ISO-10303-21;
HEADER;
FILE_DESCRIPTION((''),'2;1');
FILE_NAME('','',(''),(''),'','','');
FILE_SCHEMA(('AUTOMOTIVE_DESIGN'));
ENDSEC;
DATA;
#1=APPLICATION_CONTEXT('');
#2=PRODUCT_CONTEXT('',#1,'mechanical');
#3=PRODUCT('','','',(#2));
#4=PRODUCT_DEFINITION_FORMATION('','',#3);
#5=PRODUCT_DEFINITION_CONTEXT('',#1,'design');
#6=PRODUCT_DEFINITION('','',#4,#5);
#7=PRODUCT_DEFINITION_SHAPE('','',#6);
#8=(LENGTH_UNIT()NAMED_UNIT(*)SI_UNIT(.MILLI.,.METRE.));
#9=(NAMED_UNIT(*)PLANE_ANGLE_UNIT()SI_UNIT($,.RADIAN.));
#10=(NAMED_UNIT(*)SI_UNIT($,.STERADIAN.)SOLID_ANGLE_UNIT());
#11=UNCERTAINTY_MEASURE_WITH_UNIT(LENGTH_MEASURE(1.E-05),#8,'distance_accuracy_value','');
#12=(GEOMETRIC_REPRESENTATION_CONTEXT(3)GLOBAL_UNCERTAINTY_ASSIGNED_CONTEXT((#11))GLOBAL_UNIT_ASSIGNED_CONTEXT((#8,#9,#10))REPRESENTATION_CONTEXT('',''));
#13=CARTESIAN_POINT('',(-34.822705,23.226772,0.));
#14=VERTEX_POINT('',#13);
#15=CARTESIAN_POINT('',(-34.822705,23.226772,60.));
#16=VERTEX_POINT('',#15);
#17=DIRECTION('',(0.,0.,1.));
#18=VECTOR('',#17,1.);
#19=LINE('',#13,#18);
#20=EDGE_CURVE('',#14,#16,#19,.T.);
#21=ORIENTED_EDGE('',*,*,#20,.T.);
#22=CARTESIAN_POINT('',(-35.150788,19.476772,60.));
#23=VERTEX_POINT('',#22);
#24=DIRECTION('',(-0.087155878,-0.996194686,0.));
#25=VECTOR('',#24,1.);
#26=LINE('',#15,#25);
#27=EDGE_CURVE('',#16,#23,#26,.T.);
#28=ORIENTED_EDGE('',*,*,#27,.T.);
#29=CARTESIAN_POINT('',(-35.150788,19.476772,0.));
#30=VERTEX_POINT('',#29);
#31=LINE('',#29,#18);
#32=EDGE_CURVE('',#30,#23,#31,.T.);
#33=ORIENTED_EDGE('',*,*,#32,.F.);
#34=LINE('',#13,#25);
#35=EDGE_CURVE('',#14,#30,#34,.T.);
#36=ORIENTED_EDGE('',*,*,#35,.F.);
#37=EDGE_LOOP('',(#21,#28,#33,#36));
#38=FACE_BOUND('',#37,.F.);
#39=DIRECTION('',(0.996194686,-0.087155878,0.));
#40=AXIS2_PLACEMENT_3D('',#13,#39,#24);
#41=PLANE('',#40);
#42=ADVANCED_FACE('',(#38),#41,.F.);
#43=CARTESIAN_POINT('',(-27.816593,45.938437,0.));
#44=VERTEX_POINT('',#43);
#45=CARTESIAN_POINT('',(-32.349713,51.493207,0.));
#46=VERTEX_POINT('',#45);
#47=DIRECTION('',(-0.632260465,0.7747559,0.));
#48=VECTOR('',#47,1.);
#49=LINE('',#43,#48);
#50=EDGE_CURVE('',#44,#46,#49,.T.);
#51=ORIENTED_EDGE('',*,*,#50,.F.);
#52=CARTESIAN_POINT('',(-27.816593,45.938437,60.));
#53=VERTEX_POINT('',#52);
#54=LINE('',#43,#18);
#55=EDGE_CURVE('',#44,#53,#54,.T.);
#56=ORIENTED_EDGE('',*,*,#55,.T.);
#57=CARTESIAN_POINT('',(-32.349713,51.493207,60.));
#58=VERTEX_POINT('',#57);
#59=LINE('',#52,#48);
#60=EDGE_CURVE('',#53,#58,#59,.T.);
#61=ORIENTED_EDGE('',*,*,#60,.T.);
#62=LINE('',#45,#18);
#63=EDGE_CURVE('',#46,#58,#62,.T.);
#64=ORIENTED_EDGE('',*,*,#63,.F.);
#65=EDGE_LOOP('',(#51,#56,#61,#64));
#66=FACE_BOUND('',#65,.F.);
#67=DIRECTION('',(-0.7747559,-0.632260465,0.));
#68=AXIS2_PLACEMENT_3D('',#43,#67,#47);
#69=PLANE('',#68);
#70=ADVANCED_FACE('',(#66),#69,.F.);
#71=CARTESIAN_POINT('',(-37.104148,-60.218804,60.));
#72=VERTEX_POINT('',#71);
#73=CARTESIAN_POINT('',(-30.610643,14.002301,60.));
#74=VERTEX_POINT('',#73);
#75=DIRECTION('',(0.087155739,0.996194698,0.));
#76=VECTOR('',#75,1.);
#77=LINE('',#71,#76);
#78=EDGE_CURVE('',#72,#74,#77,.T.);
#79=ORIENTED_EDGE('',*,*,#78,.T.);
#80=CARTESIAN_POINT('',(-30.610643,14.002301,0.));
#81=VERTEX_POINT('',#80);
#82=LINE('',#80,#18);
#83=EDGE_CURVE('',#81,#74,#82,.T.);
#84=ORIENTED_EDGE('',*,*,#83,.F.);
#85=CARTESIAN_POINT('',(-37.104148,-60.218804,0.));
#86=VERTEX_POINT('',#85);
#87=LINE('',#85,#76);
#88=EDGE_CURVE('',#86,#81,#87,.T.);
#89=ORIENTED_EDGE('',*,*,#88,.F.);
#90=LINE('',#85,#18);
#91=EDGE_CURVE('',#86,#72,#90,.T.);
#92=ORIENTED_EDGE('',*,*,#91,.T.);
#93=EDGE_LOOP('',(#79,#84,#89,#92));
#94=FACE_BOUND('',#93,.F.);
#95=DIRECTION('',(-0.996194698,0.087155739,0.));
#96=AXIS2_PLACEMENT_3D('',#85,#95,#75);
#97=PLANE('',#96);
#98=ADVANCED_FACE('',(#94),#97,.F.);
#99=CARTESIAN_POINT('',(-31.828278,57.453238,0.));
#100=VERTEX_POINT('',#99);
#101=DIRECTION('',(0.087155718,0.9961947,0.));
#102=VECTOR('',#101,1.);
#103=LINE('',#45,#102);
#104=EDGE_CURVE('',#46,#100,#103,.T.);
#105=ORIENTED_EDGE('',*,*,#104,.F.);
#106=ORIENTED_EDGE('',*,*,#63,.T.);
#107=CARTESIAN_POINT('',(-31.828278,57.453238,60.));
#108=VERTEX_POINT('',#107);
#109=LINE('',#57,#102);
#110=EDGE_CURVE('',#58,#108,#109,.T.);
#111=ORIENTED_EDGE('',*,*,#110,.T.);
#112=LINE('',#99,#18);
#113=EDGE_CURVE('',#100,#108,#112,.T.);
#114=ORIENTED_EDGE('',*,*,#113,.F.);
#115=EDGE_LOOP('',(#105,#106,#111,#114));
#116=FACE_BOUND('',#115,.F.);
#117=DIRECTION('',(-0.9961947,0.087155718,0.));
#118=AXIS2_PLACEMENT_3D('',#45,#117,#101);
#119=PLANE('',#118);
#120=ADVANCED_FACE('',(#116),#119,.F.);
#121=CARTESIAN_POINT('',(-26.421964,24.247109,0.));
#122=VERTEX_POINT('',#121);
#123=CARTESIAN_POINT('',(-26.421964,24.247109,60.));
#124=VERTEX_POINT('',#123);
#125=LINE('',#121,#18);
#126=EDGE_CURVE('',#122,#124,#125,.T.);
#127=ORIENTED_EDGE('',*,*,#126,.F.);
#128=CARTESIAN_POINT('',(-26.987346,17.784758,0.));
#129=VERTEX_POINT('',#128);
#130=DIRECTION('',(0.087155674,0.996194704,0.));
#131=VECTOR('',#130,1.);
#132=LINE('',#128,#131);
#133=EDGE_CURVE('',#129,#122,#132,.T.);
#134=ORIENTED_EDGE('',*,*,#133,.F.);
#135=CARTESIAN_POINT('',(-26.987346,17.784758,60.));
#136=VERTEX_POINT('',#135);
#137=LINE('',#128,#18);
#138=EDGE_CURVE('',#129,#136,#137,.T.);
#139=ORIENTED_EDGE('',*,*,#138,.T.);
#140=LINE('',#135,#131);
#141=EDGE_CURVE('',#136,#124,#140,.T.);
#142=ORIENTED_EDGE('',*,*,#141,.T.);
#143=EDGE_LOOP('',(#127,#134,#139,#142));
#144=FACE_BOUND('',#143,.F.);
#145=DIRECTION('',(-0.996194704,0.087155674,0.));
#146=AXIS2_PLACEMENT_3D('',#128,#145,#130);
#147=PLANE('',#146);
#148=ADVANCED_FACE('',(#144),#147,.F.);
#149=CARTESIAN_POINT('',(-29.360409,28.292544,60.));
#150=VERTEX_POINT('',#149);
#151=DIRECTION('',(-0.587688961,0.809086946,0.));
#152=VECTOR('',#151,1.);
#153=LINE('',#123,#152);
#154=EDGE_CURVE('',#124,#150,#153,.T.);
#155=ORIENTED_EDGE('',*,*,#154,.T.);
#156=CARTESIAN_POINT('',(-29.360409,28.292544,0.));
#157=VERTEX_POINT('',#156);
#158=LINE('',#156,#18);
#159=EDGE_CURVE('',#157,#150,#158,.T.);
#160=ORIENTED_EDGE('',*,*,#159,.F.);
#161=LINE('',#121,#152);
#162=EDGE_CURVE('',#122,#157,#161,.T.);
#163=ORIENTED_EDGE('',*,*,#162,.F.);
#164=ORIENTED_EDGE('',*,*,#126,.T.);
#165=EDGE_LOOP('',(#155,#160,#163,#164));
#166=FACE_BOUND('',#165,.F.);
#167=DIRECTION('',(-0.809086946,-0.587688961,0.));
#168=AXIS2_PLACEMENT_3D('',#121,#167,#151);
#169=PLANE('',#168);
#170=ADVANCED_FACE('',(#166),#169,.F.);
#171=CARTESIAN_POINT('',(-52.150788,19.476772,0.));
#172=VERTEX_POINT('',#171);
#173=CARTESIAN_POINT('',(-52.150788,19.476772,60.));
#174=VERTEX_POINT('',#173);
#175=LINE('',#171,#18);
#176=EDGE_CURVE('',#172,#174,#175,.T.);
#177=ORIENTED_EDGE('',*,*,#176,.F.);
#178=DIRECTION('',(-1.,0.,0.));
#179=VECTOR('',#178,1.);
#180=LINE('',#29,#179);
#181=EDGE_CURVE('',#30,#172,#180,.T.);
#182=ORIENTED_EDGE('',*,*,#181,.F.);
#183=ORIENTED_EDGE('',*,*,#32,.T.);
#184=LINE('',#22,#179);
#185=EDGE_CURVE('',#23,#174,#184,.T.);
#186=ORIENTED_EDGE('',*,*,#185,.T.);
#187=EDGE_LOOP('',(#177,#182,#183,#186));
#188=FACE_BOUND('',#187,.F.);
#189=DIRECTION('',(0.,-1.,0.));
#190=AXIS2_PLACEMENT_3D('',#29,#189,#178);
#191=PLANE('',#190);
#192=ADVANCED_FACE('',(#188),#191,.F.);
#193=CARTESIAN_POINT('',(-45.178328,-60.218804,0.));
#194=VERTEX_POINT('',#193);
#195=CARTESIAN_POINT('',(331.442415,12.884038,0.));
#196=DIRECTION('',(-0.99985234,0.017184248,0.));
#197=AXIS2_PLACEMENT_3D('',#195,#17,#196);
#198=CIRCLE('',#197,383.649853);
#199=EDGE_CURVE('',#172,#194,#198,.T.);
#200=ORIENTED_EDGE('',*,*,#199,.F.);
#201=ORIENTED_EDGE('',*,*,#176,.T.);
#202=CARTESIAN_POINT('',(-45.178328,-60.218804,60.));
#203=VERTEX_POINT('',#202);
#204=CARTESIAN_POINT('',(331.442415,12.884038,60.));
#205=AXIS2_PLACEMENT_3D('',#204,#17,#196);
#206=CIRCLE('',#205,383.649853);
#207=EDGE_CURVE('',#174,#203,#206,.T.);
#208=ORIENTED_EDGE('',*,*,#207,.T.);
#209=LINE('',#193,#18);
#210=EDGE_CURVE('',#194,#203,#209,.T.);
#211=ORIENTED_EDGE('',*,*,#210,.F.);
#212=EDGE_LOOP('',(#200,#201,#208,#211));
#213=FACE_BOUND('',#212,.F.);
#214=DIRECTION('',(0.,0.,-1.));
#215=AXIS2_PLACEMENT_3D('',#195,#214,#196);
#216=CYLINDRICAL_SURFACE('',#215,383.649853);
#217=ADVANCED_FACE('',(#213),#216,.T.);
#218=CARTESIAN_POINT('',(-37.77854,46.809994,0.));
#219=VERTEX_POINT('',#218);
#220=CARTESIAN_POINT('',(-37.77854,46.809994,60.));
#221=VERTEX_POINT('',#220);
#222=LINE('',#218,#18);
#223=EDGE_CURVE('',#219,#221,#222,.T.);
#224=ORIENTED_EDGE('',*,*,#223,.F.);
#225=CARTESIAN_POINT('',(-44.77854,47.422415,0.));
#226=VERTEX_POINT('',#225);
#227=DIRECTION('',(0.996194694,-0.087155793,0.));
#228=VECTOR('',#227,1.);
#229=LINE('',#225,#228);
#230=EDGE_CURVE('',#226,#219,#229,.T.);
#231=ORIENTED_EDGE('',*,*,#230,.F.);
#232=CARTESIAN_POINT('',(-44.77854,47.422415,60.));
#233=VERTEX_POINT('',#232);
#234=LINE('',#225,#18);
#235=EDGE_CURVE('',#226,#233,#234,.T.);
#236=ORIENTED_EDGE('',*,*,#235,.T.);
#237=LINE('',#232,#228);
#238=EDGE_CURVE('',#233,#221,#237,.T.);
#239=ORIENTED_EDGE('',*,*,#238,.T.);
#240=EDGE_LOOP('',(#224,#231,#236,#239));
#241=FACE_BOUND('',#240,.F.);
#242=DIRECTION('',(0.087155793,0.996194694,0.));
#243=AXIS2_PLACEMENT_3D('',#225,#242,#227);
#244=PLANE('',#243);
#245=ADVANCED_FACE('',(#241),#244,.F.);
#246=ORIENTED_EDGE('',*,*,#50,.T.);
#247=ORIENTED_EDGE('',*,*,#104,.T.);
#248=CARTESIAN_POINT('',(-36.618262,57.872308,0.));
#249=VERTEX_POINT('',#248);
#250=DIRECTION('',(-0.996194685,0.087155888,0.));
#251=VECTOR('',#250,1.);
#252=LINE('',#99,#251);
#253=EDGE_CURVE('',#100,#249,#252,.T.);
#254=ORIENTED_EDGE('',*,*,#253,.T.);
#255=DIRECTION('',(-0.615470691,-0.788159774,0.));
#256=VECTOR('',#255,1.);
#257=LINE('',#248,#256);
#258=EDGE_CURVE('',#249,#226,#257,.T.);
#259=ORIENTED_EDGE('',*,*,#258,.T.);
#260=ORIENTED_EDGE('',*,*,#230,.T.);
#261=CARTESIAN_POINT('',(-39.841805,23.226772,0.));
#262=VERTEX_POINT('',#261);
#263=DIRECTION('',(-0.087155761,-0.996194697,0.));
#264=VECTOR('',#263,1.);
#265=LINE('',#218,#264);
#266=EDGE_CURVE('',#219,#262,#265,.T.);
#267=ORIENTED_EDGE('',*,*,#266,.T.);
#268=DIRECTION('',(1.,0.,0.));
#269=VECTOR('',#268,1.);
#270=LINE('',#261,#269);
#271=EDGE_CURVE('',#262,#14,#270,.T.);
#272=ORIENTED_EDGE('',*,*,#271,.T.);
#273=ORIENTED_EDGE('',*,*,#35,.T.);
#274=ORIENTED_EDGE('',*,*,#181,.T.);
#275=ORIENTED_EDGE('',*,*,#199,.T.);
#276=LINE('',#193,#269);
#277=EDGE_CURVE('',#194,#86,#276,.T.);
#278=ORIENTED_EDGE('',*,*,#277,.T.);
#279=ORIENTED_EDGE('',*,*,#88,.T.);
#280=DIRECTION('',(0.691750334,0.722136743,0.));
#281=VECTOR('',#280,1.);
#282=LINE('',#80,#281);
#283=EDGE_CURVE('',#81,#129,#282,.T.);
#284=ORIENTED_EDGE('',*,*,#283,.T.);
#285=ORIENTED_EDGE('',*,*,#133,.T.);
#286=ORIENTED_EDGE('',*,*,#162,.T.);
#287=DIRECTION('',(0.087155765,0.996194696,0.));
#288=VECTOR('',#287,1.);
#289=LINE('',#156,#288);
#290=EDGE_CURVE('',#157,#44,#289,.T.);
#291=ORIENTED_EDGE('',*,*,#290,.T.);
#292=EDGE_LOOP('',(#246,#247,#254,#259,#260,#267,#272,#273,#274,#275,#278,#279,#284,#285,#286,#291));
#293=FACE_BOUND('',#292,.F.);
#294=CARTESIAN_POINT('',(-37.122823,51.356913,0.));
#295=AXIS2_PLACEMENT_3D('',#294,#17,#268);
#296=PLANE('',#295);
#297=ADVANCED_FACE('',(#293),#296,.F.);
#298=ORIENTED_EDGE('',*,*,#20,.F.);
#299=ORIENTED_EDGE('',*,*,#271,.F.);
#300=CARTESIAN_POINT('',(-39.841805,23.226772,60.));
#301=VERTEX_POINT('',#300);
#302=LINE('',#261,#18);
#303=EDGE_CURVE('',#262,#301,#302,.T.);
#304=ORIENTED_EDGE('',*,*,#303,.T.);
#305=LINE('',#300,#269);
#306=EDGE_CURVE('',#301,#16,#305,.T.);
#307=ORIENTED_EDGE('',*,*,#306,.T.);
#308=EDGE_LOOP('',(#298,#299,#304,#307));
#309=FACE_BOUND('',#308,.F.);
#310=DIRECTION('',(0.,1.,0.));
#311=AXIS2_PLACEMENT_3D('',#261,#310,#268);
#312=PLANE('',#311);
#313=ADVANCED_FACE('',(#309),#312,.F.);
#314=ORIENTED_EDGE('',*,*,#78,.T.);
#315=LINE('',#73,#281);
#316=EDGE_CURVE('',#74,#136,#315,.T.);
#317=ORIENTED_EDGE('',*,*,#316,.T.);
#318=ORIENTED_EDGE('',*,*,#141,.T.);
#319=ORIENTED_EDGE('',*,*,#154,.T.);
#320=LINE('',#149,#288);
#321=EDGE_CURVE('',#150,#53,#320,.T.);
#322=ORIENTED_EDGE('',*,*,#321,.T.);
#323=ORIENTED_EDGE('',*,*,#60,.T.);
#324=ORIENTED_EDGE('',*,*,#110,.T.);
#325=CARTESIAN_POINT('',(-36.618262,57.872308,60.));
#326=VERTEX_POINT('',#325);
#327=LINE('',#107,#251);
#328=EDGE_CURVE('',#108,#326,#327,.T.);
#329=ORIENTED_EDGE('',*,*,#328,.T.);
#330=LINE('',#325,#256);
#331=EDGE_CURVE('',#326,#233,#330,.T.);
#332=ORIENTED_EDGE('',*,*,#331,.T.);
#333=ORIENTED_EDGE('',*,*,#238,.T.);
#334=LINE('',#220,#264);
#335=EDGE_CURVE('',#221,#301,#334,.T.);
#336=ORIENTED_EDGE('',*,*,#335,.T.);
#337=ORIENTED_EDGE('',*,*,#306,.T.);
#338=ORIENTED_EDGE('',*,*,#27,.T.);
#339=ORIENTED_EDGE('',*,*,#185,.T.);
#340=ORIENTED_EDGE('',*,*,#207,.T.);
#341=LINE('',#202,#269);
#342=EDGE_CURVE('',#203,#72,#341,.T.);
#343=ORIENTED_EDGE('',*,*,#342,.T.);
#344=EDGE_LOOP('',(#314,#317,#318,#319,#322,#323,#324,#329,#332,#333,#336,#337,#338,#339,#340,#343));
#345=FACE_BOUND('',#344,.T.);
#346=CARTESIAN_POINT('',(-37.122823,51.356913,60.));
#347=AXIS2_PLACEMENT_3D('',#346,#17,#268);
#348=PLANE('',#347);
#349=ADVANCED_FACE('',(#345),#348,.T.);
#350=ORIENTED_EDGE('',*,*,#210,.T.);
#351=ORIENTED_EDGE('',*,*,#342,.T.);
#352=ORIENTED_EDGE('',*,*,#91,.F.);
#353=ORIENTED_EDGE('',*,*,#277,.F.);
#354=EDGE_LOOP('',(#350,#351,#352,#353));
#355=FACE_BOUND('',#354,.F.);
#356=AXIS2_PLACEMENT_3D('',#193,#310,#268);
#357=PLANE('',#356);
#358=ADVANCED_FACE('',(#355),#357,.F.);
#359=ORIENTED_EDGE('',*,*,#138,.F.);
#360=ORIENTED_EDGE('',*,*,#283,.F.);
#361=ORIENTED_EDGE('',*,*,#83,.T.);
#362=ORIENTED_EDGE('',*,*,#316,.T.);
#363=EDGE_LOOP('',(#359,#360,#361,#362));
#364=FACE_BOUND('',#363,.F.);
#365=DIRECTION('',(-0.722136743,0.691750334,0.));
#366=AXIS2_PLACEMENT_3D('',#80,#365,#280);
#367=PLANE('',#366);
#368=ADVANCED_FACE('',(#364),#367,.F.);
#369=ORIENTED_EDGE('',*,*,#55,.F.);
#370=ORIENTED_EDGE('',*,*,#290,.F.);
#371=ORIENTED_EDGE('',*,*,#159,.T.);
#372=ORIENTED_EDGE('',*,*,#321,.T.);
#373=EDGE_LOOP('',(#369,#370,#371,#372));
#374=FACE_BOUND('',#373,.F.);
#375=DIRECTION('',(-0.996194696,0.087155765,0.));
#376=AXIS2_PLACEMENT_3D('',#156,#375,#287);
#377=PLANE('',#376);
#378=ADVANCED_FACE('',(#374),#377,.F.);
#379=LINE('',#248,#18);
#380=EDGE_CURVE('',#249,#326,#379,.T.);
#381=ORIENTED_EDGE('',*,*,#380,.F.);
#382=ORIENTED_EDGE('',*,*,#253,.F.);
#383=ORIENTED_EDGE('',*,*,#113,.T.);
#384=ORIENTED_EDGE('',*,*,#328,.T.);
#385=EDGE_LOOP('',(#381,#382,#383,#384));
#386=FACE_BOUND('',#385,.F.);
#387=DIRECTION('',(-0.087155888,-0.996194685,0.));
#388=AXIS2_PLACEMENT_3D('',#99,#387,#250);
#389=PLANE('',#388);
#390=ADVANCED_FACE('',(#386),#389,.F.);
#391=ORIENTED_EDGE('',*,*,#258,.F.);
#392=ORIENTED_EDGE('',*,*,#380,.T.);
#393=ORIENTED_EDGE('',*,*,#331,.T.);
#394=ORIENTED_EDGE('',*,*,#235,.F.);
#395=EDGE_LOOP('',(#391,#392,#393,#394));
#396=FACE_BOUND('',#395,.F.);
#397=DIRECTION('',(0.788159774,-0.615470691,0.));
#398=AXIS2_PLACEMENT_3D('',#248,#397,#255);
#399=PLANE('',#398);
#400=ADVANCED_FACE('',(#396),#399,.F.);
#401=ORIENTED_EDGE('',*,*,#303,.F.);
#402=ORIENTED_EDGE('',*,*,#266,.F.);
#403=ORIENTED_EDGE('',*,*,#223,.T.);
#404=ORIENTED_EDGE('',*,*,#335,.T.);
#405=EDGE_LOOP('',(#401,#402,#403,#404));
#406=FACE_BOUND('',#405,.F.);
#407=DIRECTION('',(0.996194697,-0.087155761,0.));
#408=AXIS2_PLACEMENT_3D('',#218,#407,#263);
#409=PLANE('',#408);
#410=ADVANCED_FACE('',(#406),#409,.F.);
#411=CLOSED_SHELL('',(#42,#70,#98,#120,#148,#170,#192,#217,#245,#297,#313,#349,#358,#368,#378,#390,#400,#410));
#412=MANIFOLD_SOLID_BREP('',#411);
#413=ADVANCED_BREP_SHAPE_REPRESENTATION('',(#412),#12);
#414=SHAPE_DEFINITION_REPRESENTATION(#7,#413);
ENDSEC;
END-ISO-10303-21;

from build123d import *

# Parameters (mm, degrees)
F1_DEPTH = 60


with BuildPart() as f1:
    # F0 (on Top) → F1 (new body)
    with BuildSketch(Plane.XY):
        Polygon((-37.77854, 46.809994), (-32.797566, 46.374216), (-32.349713, 51.493207), (-31.828278, 57.453238), (-36.618262, 57.872308), (-44.77854, 47.422415), align=None)
        Polygon((-32.349713, 51.493207), (-32.797566, 46.374216), (-27.816593, 45.938437), align=None)
        Polygon((-39.841805, 23.226772), (-34.822705, 23.226772), (-32.797566, 46.374216), (-37.77854, 46.809994), align=None)
        Polygon((-35.150788, 19.476772), (-52.150788, 19.476772), (-45.178328, -60.218804), (-37.104148, -60.218804), (-30.610643, 14.002301), (-30.189987, 18.810422), (-29.360409, 28.292544), (-27.816593, 45.938437), (-32.797566, 46.374216), (-34.822705, 23.226772), align=None)
        Polygon((-30.189987, 18.810422), (-30.610643, 14.002301), (-26.987346, 17.784758), (-26.421964, 24.247109), (-29.360409, 28.292544), align=None)
        with BuildLine():
            Line((-45.178328, -60.218804), (-52.150788, 19.476772))
            ThreePointArc((-52.150788, 19.476772), (-50.747534, -20.553253), (-45.178328, -60.218804))
        make_face()
    extrude(amount=F1_DEPTH)


solid = f1.part
